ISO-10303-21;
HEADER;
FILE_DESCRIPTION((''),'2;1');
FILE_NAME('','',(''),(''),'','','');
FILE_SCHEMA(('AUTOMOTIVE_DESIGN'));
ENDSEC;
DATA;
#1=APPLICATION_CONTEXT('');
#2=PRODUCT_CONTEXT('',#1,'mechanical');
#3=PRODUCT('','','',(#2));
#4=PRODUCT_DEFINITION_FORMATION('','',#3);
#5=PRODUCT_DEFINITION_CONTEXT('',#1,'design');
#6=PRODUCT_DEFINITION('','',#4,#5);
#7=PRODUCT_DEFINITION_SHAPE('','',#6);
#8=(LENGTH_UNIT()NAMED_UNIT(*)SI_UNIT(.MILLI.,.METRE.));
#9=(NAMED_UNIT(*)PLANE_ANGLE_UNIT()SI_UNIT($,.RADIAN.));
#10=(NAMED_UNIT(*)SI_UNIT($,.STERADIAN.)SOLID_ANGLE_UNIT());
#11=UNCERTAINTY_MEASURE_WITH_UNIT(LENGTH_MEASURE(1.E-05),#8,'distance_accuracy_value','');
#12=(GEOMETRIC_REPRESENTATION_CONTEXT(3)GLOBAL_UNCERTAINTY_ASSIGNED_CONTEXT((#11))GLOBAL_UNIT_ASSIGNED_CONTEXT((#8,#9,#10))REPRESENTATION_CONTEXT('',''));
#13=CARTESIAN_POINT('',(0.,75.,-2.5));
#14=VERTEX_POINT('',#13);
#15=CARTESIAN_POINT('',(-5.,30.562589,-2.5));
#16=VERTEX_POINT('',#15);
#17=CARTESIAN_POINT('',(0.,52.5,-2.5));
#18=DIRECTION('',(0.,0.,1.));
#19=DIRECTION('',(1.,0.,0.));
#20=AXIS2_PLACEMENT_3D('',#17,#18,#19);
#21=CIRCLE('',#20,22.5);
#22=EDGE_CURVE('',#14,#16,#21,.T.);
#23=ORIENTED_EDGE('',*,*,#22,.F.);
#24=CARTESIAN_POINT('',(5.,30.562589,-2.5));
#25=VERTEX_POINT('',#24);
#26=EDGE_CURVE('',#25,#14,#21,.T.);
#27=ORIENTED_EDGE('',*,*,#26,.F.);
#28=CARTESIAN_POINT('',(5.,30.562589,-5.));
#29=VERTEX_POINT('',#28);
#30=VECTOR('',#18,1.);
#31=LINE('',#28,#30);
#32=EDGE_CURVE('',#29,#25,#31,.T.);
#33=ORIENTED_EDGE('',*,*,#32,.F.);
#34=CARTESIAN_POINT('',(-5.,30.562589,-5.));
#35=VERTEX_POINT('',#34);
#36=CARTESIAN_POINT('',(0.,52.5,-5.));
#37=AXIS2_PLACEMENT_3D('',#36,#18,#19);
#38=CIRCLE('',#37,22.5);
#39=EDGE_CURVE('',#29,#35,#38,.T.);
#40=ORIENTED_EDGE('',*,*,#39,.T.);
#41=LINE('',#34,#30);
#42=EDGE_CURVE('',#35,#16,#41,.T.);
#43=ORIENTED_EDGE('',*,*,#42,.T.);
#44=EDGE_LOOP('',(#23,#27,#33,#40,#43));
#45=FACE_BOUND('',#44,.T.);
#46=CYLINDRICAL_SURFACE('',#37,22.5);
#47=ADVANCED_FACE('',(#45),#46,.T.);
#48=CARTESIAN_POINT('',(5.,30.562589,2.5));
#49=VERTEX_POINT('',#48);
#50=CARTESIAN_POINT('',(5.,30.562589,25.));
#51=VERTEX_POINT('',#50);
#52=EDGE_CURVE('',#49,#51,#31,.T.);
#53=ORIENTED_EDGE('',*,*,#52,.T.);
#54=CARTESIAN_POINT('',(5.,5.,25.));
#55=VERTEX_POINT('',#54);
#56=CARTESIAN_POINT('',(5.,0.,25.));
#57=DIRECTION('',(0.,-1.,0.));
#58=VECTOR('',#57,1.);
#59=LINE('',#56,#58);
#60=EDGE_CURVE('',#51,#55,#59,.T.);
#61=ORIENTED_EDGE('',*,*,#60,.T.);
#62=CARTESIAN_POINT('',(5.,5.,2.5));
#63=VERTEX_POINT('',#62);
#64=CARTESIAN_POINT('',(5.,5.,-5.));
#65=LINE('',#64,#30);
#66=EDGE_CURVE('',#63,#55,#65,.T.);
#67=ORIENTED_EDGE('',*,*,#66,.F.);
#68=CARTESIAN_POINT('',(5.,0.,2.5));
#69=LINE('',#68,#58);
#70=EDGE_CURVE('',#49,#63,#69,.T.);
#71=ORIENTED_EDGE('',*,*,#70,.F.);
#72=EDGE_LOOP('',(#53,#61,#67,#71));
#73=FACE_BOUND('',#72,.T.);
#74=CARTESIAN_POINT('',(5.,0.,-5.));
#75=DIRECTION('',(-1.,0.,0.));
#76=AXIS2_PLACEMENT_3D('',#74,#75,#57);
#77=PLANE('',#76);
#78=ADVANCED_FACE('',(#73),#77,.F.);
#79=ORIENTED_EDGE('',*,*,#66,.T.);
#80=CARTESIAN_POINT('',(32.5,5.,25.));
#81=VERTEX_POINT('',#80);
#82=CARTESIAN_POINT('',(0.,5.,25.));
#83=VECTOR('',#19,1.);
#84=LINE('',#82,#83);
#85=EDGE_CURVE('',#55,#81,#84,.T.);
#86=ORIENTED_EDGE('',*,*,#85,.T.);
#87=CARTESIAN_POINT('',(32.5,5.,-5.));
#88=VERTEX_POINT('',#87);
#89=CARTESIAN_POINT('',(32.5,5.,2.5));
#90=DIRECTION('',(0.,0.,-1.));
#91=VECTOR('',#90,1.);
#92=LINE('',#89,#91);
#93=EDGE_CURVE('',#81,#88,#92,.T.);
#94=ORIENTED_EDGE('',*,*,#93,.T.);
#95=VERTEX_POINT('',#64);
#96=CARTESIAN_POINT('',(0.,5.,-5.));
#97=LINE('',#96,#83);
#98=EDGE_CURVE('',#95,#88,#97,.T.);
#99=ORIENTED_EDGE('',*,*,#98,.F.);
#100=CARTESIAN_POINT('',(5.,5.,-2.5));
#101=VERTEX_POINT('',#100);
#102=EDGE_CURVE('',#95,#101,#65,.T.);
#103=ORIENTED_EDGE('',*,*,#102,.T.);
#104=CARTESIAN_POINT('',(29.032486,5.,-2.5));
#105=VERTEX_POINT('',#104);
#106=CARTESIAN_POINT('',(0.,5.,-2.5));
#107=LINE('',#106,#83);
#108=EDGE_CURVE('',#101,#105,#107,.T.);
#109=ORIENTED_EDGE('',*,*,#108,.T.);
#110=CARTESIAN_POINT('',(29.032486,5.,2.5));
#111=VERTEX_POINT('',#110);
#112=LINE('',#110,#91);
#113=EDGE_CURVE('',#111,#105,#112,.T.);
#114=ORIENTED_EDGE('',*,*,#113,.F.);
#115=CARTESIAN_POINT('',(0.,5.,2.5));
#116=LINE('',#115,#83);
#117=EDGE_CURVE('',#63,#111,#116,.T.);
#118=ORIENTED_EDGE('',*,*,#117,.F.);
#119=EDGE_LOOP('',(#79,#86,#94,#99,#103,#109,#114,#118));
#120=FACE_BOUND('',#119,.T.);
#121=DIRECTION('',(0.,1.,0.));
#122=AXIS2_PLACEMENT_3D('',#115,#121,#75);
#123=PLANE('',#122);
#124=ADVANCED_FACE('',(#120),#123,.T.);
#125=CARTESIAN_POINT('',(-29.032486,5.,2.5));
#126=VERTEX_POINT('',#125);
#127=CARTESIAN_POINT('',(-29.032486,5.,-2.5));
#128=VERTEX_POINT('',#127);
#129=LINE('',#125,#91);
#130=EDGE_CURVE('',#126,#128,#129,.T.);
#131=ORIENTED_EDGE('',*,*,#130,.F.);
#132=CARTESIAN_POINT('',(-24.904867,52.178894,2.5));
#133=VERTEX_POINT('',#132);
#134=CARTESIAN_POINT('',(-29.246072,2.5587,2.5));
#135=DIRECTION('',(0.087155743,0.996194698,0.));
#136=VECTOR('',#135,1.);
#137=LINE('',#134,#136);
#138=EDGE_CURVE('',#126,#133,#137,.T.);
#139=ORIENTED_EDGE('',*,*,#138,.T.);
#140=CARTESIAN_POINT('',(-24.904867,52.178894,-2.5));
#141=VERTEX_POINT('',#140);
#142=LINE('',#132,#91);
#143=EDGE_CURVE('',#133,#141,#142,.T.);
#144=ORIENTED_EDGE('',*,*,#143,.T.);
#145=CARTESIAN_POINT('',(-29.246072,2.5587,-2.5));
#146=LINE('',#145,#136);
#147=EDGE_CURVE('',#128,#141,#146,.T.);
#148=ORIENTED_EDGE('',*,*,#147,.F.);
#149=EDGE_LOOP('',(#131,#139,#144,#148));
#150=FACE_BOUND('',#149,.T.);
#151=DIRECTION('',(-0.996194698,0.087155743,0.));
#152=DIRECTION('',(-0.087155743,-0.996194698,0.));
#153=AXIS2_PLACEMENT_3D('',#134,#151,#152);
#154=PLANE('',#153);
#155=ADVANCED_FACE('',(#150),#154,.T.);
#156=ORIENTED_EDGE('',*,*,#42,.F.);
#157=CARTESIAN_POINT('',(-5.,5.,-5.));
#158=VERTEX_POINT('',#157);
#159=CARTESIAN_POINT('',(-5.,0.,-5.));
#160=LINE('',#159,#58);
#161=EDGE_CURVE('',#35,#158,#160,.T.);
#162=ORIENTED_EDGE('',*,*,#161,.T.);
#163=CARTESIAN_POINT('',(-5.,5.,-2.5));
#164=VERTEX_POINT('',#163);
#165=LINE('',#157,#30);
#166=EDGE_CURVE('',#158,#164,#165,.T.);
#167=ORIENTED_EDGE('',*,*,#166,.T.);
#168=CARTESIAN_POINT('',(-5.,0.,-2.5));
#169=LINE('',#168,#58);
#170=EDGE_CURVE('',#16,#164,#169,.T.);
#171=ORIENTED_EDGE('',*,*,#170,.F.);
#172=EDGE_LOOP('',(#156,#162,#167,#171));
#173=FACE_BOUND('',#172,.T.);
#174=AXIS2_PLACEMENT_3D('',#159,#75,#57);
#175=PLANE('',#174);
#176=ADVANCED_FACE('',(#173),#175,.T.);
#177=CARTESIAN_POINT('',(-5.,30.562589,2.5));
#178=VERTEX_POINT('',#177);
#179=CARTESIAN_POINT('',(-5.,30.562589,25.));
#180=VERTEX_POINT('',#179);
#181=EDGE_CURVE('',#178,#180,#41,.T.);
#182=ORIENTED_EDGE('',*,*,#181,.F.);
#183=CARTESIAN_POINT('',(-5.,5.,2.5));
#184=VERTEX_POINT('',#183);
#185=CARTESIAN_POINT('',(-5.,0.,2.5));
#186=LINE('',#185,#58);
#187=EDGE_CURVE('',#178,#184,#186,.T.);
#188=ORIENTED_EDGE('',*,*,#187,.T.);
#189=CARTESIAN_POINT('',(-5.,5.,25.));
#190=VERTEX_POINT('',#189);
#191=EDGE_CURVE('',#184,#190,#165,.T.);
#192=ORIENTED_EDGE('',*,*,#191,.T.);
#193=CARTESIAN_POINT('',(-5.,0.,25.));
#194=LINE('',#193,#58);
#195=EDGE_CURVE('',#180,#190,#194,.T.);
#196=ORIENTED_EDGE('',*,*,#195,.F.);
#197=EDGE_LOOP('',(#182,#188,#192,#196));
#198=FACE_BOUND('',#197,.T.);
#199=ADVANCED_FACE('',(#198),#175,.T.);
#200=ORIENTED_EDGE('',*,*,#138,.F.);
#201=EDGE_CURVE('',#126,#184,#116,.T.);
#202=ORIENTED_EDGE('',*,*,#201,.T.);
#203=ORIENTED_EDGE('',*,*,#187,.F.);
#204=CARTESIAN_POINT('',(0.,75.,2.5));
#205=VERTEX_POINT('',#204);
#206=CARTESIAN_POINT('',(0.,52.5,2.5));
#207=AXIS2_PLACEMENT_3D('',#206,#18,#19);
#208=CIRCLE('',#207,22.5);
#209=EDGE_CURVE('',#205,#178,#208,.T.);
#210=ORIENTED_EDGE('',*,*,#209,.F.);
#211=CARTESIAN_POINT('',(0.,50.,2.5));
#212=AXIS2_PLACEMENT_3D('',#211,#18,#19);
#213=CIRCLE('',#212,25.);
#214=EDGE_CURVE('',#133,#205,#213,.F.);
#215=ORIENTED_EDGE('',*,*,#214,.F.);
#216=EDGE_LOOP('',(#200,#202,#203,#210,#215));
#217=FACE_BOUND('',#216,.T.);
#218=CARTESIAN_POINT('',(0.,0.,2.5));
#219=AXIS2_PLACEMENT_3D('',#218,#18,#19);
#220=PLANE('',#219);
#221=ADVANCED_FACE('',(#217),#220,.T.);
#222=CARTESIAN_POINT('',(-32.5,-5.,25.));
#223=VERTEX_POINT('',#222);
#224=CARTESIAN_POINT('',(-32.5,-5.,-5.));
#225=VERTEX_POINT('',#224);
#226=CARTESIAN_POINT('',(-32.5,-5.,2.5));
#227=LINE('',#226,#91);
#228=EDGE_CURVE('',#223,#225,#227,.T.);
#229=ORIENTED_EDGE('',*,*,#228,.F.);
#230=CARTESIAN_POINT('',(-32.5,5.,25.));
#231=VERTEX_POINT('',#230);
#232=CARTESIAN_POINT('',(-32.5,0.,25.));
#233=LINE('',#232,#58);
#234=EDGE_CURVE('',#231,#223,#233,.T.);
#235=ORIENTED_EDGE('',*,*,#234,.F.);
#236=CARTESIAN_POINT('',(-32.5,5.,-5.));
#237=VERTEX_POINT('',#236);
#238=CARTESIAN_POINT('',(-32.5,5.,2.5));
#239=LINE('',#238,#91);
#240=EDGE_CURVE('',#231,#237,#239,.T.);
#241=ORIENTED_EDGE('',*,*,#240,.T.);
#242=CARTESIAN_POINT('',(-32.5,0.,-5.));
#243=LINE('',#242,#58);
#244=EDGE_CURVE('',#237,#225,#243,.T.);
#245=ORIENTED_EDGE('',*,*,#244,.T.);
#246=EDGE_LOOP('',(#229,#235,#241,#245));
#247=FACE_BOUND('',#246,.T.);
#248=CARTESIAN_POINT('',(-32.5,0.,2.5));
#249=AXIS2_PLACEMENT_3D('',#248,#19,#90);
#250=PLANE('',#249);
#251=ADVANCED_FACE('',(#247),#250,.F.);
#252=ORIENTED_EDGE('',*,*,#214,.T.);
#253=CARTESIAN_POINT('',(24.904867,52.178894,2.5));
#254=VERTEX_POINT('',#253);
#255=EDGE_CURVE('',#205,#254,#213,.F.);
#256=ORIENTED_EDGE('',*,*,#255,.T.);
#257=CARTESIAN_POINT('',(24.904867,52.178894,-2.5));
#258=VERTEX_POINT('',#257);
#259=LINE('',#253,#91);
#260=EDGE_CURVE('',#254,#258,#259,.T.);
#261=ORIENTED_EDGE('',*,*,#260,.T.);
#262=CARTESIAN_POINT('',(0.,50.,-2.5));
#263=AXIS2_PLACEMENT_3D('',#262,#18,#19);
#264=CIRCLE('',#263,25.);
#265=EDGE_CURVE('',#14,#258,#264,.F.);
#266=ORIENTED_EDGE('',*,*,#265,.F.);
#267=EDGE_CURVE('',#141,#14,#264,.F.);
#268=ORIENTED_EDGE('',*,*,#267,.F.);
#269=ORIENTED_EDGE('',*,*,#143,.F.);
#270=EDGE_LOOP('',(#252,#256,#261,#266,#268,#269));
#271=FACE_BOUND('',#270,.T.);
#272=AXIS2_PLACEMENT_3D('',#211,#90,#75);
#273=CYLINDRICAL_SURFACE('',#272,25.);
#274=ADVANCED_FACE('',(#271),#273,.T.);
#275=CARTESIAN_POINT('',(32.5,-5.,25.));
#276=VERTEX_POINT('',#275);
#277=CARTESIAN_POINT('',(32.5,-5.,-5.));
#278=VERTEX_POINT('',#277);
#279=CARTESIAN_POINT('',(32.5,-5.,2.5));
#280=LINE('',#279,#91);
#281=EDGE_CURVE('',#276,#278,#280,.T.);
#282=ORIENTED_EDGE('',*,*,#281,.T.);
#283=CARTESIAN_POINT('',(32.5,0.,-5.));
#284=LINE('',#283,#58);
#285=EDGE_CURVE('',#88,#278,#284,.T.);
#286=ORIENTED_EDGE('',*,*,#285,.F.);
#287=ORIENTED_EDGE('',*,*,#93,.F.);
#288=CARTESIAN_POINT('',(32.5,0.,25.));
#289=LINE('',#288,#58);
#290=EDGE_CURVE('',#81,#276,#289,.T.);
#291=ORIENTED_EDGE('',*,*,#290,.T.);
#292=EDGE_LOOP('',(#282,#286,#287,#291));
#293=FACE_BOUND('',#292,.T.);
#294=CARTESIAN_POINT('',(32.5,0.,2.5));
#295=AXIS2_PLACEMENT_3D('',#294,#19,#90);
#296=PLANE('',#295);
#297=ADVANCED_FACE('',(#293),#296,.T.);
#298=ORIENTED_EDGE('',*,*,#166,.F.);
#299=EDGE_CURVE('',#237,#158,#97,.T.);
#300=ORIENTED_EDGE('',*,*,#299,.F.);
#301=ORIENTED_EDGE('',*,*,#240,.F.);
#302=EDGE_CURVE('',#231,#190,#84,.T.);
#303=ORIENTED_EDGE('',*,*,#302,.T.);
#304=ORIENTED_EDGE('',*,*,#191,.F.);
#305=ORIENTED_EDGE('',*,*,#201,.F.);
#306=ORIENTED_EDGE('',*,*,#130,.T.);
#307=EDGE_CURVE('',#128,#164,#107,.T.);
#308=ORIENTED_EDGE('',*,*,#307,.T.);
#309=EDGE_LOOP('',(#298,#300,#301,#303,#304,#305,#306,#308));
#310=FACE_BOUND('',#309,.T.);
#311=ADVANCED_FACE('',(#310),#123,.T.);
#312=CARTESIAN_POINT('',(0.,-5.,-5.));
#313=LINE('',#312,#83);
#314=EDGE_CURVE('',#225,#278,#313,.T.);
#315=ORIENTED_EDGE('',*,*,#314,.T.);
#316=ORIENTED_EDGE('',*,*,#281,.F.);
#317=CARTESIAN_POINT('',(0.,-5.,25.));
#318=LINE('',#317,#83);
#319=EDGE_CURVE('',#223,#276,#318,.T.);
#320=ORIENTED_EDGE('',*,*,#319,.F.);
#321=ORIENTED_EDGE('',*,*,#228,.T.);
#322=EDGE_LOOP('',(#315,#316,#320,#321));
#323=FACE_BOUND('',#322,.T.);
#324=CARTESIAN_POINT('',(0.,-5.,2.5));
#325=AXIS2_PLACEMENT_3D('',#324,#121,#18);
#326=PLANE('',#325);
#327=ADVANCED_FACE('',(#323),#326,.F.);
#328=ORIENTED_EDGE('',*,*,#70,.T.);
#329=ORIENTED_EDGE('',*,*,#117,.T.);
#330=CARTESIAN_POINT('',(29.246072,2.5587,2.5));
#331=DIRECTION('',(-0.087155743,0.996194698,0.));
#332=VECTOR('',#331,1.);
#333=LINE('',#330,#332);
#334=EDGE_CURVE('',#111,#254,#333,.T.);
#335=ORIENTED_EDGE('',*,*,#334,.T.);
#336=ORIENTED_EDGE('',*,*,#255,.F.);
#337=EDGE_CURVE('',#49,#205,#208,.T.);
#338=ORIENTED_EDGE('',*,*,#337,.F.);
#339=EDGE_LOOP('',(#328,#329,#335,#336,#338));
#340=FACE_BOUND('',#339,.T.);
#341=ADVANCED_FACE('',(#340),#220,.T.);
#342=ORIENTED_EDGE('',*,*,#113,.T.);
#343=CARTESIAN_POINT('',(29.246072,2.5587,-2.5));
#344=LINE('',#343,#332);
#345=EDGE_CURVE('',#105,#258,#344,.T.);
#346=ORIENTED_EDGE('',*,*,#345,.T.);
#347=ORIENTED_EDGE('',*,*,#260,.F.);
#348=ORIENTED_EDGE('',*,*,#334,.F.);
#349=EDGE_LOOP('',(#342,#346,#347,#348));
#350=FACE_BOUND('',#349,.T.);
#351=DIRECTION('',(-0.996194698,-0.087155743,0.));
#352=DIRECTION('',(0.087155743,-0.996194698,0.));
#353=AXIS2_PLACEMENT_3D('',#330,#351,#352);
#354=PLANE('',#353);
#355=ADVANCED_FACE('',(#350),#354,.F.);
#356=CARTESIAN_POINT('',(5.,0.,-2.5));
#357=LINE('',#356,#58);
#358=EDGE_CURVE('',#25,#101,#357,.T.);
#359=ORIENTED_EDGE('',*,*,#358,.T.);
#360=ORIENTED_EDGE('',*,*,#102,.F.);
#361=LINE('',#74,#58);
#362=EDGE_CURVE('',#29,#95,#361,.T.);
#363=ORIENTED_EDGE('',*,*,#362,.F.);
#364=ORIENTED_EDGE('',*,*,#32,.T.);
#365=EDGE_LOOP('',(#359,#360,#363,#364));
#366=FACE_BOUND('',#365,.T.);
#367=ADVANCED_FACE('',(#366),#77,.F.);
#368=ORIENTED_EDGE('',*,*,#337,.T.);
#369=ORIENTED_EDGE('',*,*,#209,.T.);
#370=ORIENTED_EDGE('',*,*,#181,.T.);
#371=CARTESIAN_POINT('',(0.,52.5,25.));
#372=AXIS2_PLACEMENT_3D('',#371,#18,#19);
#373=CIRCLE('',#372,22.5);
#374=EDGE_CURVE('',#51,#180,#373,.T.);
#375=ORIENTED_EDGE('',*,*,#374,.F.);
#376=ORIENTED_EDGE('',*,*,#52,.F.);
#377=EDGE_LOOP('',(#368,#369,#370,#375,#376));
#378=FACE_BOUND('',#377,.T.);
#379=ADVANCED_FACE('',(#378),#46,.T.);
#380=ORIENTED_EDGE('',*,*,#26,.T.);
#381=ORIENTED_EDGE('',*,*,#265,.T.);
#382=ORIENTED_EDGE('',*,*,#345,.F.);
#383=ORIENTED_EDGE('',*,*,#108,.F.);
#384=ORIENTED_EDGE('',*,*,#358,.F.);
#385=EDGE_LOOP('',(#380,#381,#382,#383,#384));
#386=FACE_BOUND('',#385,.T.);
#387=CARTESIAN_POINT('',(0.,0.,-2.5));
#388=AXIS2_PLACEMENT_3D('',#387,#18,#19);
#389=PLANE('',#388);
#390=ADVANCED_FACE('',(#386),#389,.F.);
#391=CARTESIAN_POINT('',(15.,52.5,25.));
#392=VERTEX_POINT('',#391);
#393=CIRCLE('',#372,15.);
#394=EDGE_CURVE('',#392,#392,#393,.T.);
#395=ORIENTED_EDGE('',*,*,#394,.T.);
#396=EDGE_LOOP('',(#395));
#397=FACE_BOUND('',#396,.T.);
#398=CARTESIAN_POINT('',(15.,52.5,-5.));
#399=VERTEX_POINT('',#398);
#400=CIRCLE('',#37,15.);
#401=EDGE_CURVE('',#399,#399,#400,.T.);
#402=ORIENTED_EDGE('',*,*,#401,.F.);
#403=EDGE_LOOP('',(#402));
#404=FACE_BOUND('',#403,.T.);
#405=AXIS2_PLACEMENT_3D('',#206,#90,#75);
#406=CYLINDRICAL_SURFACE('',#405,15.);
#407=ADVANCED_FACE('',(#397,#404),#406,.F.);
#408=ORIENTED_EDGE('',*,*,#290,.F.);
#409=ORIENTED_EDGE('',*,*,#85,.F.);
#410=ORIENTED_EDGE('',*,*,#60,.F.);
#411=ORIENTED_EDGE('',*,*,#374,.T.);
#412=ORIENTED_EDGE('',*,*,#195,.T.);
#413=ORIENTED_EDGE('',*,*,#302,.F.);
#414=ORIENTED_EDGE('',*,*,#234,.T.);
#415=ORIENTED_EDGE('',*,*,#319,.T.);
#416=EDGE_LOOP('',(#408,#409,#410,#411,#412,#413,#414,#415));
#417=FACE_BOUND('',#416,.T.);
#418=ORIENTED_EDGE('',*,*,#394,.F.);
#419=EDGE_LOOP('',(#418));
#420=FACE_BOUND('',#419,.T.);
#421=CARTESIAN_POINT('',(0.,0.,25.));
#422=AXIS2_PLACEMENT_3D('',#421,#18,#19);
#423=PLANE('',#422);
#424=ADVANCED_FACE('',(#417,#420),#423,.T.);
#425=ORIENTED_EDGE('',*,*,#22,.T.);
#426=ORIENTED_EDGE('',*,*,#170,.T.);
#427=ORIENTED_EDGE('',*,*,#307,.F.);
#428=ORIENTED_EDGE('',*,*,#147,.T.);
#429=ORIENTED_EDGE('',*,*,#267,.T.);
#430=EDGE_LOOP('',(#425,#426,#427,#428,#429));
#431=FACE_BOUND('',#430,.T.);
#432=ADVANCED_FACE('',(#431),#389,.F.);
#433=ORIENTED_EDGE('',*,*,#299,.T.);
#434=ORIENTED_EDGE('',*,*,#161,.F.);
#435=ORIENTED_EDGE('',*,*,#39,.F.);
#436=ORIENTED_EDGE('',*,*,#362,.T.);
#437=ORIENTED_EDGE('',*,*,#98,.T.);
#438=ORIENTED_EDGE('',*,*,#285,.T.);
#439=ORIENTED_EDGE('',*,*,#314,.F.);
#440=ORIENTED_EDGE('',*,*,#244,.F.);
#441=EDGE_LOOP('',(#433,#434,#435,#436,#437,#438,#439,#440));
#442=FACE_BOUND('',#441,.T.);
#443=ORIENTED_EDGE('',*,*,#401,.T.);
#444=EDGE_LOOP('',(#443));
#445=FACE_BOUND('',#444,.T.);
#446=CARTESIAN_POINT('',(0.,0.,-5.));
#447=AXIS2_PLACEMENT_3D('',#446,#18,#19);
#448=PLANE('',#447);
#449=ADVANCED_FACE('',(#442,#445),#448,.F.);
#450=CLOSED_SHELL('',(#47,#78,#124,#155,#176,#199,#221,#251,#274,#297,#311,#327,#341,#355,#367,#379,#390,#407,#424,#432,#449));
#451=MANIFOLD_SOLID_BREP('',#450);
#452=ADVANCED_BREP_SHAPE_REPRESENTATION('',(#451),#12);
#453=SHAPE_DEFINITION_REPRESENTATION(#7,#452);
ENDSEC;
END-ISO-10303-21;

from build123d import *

# Parameters (mm, degrees)
SKICA1_R                     = 15
P_IDAT_VYSUNUT_M1_DEPTH      = 2.5
P_IDAT_VYSUNUT_M2_DEPTH      = 25
P_IDAT_VYSUNUT_M2_DEPTH_BACK = 5
SKICA1_3_R                   = 15


with BuildPart() as part:
    # Skica1 → P_idat vysunut_m1 (new, symmetric)
    with BuildSketch(Plane.XY):
        with BuildLine():
            Line((32.5, 5), (29.032485797, 5))
            Line((29.032485797, 5), (24.904867452, 52.178893569))
            ThreePointArc((24.904867452, 52.178893569), (0, 75), (-24.904867452, 52.178893569))
            Line((-24.904867452, 52.178893569), (-29.032485797, 5))
            Line((-29.032485797, 5), (-32.5, 5))
            Line((-32.5, 5), (-32.5, -5))
            Line((-32.5, -5), (32.5, -5))
            Line((32.5, -5), (32.5, 5))
        make_face()
        with Locations((0, 52.5)):
            Circle(SKICA1_R, mode=Mode.SUBTRACT)
    extrude(amount=P_IDAT_VYSUNUT_M1_DEPTH, both=True)

    # Skica1_3 → P_idat vysunut_m2 (add, two sides: drawn at the far end of the back side and taken through both)
    with BuildSketch(Plane.XY.offset(-P_IDAT_VYSUNUT_M2_DEPTH_BACK)):
        with BuildLine():
            ThreePointArc((-7.9e-08, 75), (-22.358910385, 55.015775508), (-5, 30.562589032))
            Line((-5, 30.562589032), (-5, 5))
            Line((-5, 5), (-29.032485797, 5))
            Line((-29.032485797, 5), (-32.5, 5))
            Line((-32.5, 5), (-32.5, -5))
            Line((-32.5, -5), (32.5, -5))
            Line((32.5, -5), (32.5, 5))
            Line((32.5, 5), (29.032485797, 5))
            Line((29.032485797, 5), (5, 5))
            Line((5, 5), (5, 30.562589032))
            ThreePointArc((5, 30.562589032), (22.358910376, 55.015775587), (-7.9e-08, 75))
        make_face()
        with Locations((0, 52.5)):
            Circle(SKICA1_3_R, mode=Mode.SUBTRACT)
    extrude(amount=P_IDAT_VYSUNUT_M2_DEPTH + P_IDAT_VYSUNUT_M2_DEPTH_BACK)


solid = part.part
